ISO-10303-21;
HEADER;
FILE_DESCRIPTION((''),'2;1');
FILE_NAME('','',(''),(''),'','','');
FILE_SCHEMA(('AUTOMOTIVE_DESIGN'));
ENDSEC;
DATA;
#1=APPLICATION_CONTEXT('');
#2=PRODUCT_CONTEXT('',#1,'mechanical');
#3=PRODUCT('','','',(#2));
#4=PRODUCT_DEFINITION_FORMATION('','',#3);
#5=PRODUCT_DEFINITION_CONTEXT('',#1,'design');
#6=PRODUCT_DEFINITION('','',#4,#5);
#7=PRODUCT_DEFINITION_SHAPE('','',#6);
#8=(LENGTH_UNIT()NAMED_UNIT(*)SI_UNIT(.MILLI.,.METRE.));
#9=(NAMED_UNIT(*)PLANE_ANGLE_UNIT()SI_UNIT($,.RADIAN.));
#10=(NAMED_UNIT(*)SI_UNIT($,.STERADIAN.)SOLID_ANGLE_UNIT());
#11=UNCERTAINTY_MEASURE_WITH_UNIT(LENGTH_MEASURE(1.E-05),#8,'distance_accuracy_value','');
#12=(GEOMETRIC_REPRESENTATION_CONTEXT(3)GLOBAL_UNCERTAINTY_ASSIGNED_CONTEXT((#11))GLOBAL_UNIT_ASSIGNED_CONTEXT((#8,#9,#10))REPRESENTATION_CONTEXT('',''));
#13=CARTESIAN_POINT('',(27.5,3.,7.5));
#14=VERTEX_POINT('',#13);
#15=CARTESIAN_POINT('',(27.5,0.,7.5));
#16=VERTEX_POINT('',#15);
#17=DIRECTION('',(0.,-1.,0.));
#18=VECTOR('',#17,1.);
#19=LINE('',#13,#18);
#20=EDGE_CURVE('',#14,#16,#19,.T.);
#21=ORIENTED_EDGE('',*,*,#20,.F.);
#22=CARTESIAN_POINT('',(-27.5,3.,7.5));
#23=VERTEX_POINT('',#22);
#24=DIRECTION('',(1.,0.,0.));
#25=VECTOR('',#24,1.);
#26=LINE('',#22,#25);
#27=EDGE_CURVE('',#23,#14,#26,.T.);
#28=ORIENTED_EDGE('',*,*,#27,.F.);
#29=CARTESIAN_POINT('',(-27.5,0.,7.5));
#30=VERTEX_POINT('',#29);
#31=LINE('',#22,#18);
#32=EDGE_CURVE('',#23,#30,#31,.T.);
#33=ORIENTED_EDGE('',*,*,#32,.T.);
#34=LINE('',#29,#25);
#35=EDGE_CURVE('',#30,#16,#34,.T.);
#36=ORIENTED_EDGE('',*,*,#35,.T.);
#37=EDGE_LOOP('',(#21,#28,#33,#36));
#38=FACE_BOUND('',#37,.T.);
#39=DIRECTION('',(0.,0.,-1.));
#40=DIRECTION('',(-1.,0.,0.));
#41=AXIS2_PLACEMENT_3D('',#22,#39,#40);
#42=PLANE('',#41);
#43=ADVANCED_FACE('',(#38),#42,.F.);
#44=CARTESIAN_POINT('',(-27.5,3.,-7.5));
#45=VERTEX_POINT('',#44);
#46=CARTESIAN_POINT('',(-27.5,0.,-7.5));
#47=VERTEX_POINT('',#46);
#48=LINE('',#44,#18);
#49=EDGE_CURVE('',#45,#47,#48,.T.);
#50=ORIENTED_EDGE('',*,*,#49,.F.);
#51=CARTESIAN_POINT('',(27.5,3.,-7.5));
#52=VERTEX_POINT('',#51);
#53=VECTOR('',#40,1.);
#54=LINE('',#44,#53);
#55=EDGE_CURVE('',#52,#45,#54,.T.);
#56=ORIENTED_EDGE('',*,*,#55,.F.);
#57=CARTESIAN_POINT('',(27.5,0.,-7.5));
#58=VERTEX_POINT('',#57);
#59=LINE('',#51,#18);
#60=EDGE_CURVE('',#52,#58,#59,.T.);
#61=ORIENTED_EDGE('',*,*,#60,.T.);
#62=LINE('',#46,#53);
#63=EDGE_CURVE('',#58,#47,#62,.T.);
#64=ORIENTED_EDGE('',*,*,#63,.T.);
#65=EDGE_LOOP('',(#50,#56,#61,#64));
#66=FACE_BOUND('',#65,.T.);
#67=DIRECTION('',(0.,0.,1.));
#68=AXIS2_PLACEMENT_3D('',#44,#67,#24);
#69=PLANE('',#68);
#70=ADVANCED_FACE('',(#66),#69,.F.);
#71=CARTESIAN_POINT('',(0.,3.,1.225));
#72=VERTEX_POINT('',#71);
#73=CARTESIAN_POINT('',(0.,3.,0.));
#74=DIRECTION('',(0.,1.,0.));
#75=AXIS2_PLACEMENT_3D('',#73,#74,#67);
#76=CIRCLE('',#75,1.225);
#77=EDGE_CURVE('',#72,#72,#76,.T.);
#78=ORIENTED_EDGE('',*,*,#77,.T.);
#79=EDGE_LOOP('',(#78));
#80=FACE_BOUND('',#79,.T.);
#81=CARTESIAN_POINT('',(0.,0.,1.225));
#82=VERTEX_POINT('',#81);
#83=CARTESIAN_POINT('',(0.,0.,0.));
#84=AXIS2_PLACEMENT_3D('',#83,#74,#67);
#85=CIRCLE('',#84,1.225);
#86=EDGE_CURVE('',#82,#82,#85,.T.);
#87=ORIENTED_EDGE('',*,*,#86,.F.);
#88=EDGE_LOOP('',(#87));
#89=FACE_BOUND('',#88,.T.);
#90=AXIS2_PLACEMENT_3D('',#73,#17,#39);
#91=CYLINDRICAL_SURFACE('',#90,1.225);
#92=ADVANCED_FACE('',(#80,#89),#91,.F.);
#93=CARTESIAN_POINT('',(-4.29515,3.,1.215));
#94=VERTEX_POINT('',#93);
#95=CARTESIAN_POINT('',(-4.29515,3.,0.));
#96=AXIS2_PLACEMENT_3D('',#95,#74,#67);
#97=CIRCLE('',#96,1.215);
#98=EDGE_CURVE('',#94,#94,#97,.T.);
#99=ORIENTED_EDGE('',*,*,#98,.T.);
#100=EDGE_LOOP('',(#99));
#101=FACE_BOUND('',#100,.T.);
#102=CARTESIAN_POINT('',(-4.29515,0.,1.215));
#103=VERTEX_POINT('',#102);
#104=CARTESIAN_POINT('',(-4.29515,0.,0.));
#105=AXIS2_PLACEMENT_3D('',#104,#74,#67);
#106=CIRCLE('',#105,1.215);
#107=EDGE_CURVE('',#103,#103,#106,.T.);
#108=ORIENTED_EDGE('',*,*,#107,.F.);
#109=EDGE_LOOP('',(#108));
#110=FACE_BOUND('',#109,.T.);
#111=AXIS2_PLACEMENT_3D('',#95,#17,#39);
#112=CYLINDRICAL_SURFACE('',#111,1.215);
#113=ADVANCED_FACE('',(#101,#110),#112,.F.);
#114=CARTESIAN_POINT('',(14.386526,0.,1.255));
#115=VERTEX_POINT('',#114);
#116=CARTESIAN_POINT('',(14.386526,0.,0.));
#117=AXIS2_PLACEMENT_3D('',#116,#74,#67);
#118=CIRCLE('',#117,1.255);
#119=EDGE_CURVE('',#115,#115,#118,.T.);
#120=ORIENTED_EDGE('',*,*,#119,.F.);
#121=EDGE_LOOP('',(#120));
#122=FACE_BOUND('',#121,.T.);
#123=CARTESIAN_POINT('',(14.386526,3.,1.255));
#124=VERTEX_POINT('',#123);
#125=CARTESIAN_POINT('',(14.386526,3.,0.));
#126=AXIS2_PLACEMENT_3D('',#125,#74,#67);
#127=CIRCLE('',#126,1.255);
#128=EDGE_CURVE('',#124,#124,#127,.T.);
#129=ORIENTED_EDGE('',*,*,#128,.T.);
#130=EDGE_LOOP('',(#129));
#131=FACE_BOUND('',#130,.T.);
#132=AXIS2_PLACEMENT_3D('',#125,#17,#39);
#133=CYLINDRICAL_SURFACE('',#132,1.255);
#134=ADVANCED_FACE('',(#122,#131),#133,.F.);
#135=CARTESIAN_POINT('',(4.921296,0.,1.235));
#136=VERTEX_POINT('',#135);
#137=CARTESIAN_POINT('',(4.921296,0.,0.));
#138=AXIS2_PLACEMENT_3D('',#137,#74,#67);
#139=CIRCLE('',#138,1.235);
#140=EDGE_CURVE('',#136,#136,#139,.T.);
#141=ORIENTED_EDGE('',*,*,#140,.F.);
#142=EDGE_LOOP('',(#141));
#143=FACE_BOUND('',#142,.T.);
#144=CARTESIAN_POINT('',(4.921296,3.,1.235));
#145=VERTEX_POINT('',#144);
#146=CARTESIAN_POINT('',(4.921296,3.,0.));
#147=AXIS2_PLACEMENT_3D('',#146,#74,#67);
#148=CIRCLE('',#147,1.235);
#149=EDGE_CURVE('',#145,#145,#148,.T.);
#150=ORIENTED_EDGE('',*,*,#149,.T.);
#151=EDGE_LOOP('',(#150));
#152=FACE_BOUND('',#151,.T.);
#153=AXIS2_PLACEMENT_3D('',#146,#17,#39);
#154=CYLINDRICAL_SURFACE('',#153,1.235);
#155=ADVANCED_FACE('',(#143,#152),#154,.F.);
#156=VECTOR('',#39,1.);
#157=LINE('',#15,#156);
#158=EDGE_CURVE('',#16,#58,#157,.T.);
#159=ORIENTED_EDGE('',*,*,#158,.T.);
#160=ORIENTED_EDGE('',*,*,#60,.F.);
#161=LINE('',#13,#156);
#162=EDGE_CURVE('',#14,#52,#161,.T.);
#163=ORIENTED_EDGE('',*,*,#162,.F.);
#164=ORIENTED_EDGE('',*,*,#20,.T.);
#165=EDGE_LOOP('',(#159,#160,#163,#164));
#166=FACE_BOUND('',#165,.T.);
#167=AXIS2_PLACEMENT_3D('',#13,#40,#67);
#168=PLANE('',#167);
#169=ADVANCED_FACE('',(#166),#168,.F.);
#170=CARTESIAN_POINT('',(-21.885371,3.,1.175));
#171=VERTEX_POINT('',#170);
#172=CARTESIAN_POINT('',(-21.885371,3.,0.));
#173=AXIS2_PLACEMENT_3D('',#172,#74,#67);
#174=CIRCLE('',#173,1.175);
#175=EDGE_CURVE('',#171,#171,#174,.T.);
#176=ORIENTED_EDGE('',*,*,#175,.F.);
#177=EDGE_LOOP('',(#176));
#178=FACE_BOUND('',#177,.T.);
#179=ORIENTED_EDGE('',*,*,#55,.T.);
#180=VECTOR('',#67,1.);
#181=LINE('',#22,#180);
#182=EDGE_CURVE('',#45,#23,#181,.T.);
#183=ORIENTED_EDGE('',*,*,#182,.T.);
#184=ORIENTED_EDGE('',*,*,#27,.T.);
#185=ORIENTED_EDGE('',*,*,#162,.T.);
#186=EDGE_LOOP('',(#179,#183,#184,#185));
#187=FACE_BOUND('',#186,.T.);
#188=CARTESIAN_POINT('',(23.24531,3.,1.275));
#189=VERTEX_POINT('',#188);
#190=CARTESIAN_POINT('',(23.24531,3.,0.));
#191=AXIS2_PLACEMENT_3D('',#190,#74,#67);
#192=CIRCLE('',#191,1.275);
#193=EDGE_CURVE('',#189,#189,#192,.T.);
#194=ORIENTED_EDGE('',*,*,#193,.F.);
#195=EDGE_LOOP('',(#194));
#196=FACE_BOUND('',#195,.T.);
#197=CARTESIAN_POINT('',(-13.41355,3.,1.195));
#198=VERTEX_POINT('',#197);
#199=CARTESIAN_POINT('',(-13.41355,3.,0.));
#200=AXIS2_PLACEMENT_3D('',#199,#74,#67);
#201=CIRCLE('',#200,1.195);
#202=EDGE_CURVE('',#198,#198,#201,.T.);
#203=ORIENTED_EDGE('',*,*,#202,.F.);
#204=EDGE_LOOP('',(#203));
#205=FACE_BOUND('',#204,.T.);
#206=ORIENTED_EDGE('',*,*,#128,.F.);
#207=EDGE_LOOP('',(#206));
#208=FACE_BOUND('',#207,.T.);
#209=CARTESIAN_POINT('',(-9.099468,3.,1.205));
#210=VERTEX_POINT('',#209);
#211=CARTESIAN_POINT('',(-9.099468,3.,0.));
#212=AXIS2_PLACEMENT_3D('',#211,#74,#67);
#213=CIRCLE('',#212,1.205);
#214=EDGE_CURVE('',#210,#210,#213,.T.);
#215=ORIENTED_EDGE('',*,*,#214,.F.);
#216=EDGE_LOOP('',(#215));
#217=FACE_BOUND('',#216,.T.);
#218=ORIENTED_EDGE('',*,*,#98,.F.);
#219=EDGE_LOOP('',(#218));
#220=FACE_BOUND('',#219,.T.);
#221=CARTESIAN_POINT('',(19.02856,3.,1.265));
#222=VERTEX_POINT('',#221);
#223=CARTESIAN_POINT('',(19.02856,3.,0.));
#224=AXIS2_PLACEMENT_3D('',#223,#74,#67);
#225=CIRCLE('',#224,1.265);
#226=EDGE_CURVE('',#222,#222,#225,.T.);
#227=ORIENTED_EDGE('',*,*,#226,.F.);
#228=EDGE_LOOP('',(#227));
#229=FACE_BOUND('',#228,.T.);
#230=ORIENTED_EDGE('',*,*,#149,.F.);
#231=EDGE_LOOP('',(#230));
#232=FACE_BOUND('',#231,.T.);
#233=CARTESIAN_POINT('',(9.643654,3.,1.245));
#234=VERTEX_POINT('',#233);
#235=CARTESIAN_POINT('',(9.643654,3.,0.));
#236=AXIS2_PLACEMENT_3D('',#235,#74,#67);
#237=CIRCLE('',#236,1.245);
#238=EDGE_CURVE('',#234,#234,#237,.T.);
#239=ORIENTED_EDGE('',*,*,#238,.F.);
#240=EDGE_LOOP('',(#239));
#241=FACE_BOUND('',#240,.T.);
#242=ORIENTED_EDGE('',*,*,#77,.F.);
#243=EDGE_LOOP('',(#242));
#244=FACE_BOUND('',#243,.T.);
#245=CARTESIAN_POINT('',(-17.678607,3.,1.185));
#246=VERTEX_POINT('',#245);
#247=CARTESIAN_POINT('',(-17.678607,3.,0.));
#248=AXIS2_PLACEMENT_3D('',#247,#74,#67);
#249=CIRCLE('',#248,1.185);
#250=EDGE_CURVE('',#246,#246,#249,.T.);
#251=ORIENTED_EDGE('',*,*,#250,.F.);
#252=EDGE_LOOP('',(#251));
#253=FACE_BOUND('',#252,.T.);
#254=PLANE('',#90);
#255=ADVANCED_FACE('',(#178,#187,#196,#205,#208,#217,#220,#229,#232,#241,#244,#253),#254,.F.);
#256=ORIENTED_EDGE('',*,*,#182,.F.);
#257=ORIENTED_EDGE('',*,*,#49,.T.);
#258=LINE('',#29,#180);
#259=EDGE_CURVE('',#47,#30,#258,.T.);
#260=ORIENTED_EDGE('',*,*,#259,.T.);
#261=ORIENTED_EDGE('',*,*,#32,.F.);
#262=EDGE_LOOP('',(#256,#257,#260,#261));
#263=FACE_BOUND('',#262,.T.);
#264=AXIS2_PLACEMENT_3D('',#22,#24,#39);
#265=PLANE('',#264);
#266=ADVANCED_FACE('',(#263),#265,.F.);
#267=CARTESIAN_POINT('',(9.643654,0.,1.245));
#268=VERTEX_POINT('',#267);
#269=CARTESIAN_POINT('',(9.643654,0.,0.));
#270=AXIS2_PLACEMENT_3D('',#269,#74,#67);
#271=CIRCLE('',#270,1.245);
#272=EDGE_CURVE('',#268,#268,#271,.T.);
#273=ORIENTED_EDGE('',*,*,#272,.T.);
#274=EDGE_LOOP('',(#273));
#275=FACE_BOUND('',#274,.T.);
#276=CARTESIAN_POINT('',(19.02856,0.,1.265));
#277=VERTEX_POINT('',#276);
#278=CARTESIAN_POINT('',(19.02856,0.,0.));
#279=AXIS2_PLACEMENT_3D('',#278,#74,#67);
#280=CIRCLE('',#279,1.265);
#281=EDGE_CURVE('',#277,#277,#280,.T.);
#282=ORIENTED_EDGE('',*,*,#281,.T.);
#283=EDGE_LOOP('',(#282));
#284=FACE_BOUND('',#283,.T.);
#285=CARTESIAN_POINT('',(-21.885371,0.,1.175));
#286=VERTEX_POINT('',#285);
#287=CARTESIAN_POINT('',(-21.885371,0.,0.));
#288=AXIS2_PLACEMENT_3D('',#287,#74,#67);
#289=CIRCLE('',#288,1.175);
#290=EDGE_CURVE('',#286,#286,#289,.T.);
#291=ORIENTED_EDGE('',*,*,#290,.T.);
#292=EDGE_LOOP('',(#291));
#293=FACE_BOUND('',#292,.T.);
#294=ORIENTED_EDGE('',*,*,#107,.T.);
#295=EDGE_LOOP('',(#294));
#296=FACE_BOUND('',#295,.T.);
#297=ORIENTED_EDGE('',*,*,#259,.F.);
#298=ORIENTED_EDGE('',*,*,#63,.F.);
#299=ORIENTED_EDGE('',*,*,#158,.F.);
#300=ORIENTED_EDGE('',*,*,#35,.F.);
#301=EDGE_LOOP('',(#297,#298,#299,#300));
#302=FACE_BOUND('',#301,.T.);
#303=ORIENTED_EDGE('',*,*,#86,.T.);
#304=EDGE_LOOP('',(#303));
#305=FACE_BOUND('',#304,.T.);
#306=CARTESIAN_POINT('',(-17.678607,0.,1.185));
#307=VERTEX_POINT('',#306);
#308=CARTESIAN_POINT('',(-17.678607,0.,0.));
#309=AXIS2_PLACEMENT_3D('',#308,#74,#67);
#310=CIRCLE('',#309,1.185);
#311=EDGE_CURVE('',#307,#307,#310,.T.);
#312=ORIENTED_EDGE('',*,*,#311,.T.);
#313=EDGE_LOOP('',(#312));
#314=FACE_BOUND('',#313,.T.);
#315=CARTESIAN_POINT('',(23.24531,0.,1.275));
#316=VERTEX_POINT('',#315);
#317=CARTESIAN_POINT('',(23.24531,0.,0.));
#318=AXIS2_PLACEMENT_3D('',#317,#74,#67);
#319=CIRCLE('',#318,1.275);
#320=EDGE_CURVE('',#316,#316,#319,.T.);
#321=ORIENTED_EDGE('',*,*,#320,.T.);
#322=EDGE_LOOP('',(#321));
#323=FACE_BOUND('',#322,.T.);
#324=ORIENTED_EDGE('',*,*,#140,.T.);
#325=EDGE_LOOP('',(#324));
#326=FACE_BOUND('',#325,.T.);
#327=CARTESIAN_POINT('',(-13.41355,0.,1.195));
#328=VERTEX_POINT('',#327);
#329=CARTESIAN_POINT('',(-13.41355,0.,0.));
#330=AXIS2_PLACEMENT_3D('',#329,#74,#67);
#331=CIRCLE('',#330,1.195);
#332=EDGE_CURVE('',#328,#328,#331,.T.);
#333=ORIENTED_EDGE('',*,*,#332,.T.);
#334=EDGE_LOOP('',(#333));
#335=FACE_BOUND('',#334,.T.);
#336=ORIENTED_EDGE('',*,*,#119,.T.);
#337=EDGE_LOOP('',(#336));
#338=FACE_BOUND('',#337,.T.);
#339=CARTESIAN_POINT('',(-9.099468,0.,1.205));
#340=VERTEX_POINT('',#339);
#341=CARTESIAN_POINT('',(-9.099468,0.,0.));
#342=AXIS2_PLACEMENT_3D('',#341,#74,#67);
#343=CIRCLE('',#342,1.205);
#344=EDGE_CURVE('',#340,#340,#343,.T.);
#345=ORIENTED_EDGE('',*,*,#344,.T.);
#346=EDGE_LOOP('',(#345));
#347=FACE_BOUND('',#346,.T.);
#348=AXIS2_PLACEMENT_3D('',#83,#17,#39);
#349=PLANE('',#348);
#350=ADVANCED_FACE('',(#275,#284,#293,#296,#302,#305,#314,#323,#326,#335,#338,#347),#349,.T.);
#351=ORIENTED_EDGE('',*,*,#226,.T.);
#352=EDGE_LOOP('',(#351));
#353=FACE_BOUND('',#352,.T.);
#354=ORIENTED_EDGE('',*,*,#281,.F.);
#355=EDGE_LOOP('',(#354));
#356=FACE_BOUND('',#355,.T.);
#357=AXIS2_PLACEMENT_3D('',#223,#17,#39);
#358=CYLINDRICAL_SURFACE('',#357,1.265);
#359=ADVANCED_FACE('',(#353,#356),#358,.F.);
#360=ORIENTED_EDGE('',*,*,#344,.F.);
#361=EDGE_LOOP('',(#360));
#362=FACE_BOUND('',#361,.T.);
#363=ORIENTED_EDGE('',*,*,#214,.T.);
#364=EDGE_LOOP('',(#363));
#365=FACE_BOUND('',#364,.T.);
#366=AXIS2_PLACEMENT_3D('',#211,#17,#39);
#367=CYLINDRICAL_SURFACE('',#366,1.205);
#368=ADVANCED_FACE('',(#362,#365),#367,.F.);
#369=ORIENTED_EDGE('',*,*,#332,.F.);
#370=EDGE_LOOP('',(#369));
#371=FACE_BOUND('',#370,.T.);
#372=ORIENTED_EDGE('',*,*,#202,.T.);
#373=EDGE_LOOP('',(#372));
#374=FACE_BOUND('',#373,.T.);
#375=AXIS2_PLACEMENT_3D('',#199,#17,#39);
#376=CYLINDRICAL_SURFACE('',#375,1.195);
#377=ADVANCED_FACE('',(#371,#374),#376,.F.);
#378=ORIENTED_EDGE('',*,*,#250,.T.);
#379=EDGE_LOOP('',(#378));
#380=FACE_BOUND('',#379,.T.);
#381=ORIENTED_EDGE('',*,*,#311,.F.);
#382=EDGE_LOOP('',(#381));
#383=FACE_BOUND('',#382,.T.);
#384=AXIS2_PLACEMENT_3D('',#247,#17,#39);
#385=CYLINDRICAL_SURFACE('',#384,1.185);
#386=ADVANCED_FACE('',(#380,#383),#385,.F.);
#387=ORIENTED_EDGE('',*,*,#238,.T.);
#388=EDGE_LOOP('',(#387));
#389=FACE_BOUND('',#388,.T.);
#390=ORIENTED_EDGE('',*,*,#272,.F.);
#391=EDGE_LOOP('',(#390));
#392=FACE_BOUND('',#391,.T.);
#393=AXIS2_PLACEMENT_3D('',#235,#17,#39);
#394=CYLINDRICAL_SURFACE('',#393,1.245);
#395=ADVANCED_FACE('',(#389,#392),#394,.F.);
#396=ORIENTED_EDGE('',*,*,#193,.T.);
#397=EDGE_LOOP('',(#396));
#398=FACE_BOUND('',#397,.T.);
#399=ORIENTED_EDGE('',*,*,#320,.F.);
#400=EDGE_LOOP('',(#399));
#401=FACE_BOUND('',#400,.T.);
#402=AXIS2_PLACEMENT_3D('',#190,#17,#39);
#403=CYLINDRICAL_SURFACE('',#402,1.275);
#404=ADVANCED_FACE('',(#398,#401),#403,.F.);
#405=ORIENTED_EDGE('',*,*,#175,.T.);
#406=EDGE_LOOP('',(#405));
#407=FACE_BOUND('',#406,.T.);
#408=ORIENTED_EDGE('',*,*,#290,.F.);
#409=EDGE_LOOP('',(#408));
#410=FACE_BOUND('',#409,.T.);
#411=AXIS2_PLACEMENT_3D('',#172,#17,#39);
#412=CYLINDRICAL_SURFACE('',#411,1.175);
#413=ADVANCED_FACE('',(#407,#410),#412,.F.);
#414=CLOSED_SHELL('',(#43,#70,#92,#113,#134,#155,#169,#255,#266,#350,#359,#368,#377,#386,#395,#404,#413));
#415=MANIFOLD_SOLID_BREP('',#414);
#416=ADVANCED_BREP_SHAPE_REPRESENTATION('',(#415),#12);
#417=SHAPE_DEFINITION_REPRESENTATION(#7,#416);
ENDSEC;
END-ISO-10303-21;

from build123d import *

# Parameters (mm, degrees)
CROQUIS1_W              = 55
CROQUIS1_H              = 15
CROQUIS1_R              = 1.175
CROQUIS1_R_2            = 1.185
CROQUIS1_R_3            = 1.195
CROQUIS1_R_4            = 1.205
CROQUIS1_R_5            = 1.215
CROQUIS1_R_6            = 1.225
CROQUIS1_R_7            = 1.235
CROQUIS1_R_8            = 1.245
CROQUIS1_R_9            = 1.255
CROQUIS1_R_10           = 1.265
CROQUIS1_R_11           = 1.275
SALIENTE_EXTRUIR1_DEPTH = 3


with BuildPart() as part:
    # Croquis1 → Saliente-Extruir1 (new body)
    with BuildSketch(Plane(origin=(0, 0, 0), x_dir=(1, 0, 0), z_dir=(0, 1, 0))):
        Rectangle(CROQUIS1_W, CROQUIS1_H)
        with Locations(Location((-21.88537105, 0, 0), (0, 0, 270))):
            Circle(CROQUIS1_R, mode=Mode.SUBTRACT)
        with Locations(Location((-17.678607244, 0, 0), (0, 0, 270))):
            Circle(CROQUIS1_R_2, mode=Mode.SUBTRACT)
        with Locations(Location((-13.4135496, 0, 0), (0, 0, 270))):
            Circle(CROQUIS1_R_3, mode=Mode.SUBTRACT)
        with Locations(Location((-9.099468305, 0, 0), (0, 0, 270))):
            Circle(CROQUIS1_R_4, mode=Mode.SUBTRACT)
        with Locations(Location((-4.295150499, 0, 0), (0, 0, 270))):
            Circle(CROQUIS1_R_5, mode=Mode.SUBTRACT)
        with Locations(Location((0, 0, 0), (0, 0, 270))):
            Circle(CROQUIS1_R_6, mode=Mode.SUBTRACT)
        with Locations(Location((4.921295904, 0, 0), (0, 0, 270))):
            Circle(CROQUIS1_R_7, mode=Mode.SUBTRACT)
        with Locations(Location((9.643654095, 0, 0), (0, 0, 270))):
            Circle(CROQUIS1_R_8, mode=Mode.SUBTRACT)
        with Locations(Location((14.38652568, 0, 0), (0, 0, 270))):
            Circle(CROQUIS1_R_9, mode=Mode.SUBTRACT)
        with Locations(Location((19.028560127, 0, 0), (0, 0, 270))):
            Circle(CROQUIS1_R_10, mode=Mode.SUBTRACT)
        with Locations(Location((23.245310452, 0, 0), (0, 0, 270))):
            Circle(CROQUIS1_R_11, mode=Mode.SUBTRACT)
    extrude(amount=SALIENTE_EXTRUIR1_DEPTH)


solid = part.part
